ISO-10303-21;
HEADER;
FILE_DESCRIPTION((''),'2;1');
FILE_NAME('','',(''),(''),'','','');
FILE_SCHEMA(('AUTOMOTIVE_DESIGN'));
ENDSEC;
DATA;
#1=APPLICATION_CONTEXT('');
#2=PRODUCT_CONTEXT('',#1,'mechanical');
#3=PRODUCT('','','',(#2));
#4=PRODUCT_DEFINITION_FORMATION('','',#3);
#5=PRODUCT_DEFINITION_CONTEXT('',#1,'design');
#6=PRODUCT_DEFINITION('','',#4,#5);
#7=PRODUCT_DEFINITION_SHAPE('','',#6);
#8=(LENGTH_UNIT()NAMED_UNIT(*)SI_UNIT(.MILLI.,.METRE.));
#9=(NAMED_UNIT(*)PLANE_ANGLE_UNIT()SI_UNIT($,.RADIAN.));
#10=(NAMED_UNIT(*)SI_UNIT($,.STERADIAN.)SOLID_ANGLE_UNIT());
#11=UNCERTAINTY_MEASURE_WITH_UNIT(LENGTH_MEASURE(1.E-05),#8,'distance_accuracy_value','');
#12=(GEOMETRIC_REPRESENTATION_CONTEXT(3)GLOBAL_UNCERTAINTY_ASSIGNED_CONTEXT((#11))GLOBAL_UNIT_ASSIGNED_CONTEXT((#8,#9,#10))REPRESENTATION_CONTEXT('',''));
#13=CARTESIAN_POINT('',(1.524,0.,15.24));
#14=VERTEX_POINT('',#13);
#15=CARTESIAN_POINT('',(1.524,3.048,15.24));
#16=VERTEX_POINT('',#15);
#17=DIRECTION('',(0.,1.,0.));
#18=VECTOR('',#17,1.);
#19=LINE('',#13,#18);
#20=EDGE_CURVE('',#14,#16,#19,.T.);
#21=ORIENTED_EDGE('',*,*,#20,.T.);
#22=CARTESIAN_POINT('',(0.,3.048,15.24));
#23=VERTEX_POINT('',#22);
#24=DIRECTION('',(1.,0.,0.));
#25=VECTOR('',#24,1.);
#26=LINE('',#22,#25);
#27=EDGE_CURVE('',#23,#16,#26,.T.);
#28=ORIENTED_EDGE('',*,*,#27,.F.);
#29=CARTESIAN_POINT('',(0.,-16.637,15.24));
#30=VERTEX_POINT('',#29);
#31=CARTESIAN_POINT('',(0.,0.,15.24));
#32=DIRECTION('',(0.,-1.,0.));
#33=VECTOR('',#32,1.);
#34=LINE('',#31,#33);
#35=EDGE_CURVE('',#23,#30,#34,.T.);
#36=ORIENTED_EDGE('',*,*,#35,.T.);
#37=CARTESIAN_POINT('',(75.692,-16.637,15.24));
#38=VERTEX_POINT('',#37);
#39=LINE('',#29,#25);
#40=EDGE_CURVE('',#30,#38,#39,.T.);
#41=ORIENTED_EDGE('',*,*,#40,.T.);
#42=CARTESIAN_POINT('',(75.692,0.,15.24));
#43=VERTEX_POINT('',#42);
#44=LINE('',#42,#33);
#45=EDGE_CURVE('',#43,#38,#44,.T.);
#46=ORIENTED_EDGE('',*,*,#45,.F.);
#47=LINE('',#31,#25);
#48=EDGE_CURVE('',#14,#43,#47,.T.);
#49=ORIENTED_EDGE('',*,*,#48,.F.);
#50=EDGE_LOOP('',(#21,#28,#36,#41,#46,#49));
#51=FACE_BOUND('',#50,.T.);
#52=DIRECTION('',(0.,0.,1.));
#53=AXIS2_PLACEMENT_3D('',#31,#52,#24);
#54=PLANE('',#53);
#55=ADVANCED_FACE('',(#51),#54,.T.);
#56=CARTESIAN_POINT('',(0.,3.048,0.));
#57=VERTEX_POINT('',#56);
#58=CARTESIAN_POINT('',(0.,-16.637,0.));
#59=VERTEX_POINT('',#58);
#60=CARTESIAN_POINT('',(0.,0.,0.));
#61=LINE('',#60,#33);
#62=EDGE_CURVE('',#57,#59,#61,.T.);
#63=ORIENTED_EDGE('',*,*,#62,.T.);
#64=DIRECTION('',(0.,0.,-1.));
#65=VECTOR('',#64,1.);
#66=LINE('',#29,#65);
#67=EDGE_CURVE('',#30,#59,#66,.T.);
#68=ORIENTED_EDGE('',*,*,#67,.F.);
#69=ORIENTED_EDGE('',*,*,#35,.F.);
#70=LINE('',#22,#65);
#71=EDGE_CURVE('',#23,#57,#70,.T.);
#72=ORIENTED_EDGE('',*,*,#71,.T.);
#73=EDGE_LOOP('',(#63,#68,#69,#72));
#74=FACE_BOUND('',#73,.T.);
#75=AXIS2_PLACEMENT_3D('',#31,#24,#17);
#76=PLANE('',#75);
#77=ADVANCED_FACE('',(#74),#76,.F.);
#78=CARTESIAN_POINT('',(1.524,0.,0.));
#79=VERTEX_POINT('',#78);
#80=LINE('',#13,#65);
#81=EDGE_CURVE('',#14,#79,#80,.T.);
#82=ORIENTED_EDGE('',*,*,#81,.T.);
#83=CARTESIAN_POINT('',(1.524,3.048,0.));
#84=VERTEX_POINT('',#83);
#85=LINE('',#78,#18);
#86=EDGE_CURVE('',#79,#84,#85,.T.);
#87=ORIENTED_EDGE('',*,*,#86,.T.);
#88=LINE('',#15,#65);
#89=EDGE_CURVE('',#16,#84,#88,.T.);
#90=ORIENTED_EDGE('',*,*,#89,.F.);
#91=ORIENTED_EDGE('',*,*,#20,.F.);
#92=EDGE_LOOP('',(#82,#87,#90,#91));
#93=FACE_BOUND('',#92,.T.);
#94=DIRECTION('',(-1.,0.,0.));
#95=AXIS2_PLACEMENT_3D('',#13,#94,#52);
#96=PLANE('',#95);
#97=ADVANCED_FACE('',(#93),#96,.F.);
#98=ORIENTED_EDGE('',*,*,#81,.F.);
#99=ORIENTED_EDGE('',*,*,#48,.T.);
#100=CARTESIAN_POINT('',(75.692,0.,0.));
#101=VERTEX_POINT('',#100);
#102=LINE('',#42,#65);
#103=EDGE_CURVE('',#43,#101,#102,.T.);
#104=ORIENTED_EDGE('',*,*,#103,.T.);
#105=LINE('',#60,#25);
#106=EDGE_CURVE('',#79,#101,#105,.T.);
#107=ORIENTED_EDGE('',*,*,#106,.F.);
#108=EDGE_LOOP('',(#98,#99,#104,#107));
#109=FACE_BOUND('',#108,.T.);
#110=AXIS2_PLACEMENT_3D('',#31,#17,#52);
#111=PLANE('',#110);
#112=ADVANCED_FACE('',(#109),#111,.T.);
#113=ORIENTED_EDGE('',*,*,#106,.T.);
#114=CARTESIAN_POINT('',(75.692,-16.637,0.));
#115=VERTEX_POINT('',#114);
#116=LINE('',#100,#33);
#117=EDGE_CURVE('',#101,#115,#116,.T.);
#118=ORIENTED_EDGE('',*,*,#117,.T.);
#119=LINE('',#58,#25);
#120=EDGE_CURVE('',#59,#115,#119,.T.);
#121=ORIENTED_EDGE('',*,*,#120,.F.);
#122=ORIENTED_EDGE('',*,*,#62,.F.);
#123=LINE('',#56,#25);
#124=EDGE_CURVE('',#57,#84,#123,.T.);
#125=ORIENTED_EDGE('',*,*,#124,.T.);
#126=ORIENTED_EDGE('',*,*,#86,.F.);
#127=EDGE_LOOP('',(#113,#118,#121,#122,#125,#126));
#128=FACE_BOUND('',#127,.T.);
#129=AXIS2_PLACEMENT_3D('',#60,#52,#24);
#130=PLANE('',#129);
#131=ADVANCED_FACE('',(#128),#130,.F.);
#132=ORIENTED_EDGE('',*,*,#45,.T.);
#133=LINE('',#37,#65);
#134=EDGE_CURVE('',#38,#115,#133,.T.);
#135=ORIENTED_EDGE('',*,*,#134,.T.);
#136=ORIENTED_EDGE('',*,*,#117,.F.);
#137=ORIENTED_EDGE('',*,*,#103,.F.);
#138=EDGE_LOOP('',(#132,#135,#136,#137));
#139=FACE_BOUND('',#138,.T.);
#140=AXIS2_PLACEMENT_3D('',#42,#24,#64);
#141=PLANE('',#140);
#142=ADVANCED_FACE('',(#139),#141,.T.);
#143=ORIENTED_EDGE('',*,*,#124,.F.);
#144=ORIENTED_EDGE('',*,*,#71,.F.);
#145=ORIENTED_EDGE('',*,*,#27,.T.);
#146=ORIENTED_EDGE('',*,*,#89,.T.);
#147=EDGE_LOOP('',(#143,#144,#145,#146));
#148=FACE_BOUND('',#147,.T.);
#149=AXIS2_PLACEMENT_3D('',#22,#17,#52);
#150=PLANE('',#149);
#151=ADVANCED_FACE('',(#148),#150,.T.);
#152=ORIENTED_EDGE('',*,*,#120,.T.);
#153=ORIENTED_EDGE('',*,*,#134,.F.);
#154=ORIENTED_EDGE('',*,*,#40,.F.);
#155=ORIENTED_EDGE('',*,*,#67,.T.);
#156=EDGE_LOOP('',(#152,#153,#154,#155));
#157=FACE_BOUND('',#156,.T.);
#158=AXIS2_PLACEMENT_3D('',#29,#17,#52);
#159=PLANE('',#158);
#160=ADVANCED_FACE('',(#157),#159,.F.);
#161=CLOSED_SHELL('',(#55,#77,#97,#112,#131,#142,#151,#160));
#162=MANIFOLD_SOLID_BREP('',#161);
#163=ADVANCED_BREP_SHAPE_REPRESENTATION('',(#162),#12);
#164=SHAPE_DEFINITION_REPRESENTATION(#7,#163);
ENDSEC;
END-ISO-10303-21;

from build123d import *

# Parameters (mm, degrees)
SKETCH1_W           = 75.692
SKETCH1_H           = 16.637
SKETCH1_W_2         = 1.524
SKETCH1_H_2         = 3.048
BOSS_EXTRUDE1_DEPTH = 15.24


with BuildPart() as part:
    # Sketch1 → Boss-Extrude1 (new body)
    with BuildSketch(Plane.XY):
        with Locations((37.846, -8.3185)):
            Rectangle(SKETCH1_W, SKETCH1_H)
        with Locations((0.762, 1.524)):
            Rectangle(SKETCH1_W_2, SKETCH1_H_2)
    extrude(amount=BOSS_EXTRUDE1_DEPTH)


solid = part.part
